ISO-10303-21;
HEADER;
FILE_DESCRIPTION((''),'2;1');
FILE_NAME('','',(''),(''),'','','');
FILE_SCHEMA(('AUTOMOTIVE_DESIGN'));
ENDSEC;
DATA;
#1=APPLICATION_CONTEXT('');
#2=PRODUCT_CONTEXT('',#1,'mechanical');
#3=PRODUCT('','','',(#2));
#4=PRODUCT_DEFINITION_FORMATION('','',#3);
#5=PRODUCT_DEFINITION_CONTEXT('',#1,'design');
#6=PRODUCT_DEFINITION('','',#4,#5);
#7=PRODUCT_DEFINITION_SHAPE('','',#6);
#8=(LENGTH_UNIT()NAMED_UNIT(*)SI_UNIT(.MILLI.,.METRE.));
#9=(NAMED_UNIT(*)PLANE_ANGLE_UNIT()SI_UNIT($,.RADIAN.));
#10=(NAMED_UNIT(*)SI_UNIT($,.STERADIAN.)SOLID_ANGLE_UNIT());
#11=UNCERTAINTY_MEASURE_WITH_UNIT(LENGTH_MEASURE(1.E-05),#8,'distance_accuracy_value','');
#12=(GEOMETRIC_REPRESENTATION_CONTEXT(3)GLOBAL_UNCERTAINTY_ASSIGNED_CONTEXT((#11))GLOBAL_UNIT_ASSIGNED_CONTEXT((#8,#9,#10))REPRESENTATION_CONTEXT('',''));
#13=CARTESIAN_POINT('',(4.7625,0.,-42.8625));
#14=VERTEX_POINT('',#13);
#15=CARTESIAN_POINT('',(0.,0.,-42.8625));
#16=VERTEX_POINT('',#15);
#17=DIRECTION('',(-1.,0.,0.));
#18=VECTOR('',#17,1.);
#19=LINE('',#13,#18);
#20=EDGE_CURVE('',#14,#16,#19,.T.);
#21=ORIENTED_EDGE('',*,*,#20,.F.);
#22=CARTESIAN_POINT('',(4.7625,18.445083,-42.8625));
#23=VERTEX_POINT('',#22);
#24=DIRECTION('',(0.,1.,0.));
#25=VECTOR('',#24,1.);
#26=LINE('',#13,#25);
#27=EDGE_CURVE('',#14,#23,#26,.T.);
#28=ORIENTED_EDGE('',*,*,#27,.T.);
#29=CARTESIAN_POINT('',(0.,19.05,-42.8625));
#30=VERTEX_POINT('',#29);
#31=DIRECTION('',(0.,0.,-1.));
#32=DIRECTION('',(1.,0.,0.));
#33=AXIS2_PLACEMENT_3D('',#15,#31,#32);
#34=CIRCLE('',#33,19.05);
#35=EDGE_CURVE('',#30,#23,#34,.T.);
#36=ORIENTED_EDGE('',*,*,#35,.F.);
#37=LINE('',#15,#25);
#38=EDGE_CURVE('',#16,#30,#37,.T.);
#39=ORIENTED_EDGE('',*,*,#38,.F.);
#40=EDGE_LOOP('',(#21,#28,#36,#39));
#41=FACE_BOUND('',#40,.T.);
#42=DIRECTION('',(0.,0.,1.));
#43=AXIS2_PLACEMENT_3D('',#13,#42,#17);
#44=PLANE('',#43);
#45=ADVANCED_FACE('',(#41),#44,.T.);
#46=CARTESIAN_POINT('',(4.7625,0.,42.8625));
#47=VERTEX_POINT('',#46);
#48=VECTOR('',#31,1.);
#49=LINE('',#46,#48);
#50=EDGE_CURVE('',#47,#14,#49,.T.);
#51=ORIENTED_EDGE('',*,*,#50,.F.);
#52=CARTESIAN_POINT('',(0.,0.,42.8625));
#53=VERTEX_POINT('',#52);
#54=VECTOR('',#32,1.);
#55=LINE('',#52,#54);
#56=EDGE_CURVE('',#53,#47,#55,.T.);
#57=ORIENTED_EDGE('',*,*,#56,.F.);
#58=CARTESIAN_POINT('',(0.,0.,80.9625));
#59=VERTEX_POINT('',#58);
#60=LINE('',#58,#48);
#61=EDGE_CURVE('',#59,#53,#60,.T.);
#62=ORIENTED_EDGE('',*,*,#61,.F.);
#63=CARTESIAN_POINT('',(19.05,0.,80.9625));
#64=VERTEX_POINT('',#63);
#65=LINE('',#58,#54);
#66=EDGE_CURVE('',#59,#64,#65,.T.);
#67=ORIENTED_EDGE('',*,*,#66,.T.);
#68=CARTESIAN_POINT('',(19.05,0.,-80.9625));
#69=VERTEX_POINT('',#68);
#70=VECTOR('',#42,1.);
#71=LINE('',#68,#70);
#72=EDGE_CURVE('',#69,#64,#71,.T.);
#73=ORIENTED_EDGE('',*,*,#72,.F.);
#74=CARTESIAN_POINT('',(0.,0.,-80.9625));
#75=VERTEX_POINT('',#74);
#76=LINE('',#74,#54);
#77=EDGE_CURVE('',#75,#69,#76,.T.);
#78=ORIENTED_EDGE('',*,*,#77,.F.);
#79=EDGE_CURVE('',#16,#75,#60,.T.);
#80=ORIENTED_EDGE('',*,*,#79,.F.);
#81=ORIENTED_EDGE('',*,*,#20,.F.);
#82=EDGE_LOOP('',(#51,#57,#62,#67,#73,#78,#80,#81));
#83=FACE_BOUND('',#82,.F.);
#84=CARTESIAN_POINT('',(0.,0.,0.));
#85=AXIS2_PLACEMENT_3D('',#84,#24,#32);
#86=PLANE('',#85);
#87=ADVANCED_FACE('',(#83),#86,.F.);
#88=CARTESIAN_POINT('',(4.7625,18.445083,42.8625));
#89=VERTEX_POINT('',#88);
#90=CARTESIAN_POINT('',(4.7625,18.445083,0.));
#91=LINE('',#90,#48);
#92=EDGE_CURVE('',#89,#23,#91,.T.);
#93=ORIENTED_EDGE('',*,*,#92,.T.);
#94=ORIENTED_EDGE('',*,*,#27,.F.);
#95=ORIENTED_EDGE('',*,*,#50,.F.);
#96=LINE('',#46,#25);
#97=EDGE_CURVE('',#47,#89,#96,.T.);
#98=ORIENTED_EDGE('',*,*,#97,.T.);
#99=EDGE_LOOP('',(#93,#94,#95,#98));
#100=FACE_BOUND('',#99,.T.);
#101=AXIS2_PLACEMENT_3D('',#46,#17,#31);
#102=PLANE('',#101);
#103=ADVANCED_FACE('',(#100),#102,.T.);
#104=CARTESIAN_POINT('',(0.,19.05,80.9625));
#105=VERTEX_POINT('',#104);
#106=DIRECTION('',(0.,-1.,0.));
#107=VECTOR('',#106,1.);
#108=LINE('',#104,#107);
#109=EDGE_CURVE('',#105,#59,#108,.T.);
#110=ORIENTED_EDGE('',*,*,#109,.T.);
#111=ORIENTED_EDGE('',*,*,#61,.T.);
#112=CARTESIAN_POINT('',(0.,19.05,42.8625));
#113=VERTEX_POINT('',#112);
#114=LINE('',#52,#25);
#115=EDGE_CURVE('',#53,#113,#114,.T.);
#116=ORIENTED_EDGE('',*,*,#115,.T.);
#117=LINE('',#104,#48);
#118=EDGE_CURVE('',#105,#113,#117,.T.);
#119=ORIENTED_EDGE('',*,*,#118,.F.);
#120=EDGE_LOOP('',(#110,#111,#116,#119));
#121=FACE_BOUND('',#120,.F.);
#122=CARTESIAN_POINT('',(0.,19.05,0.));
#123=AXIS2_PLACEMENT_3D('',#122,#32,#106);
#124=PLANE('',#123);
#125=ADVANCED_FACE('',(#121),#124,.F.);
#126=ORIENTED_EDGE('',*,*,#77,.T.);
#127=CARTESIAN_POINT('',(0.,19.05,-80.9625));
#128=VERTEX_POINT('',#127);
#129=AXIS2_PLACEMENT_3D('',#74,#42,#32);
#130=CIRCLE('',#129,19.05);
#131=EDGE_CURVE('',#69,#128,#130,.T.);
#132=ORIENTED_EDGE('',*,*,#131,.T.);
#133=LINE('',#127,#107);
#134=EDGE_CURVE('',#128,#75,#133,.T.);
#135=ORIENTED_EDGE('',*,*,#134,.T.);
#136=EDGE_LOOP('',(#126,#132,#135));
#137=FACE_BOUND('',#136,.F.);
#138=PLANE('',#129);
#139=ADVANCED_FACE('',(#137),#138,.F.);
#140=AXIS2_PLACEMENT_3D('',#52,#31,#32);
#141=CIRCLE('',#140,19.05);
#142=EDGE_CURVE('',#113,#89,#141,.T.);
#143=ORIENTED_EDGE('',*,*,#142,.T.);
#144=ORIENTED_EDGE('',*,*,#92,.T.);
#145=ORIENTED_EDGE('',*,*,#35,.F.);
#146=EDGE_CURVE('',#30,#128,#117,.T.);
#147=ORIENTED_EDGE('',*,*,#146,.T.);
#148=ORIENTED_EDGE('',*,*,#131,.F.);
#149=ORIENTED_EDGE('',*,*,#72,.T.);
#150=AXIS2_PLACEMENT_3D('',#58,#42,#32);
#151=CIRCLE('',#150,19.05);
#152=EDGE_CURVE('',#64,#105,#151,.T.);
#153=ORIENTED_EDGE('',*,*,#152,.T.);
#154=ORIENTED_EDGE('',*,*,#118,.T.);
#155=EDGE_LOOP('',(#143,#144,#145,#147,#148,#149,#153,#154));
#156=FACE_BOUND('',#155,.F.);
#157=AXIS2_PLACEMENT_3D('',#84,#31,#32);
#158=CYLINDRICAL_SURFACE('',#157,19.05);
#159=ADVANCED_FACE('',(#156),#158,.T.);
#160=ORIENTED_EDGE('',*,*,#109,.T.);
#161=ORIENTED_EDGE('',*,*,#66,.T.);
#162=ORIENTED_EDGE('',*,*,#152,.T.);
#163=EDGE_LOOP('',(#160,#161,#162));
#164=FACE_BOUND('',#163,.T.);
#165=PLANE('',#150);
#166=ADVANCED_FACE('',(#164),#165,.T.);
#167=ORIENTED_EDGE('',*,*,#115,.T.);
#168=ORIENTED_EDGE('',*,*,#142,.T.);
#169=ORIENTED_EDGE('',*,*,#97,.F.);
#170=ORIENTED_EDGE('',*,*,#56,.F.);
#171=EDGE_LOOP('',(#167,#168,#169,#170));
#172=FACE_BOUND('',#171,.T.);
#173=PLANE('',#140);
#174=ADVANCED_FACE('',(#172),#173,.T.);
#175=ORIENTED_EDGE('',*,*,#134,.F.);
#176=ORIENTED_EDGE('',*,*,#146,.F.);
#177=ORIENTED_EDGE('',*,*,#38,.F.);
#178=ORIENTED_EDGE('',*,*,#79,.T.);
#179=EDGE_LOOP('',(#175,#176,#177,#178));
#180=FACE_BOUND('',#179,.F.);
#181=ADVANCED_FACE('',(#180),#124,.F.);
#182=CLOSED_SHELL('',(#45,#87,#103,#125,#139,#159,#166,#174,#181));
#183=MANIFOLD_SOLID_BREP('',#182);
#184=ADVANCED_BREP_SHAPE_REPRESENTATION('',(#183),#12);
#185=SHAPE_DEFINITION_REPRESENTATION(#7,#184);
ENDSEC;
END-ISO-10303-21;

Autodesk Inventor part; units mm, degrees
ref_plane "YZ Plane" through (0, 0, 0) normal (1, 0, 0) x (0, 1, 0)
ref_plane "XZ Plane" through (0, 0, 0) normal (0, 1, 0) x (-1, 0, 0)
ref_plane "XY Plane" through (0, 0, 0) normal (0, 0, 1) x (1, 0, 0)
sketch "Sketch1" plane through (0, 0, 0) normal (0, 0, 1) x (1, 0, 0)
  arc A0 (19.05, 0) -> (0, 19.05) centre (0, 0) ccw
  line L0 (0, 19.05) -> (0, 0)
  line L1 (0, 0) -> (19.05, 0)
  dimension "d0" = 38.1
extrude "Extrusion1" add sketch "Sketch1" along normal mid plane 161.925
sketch "Sketch2" plane through (0, 0, 80.9625) normal (0, -1, 0) x (1, 0, 0)
  line L0 (0, -38.1) -> (4.7625, -38.1)
  line L1 (4.7625, -38.1) -> (4.7625, -123.825)
  line L2 (4.7625, -123.825) -> (0, -123.825)
  line L3 (0, -123.825) -> (0, -38.1)
  line L4 (19.05, -161.925) -> (0, -161.925) projected
  line L5 (0, -161.925) -> (0, 0) projected
  point P0 (0, -80.9625)
  dimension "d3" = 85.725
  dimension "d4" = 38.1
  dimension "d5" = 4.7625
extrude "Extrusion2" cut sketch "Sketch2" against normal through all
equation "\"d0\" = cornerRoundType"
equation "\"d1\" = lengthOfPart"
equation "\"d3\" = notchCutout"
equation "\"d4\" = bottomLength"
equation "\"d5\" = notchDepth"
equation "\"cornerRoundType\" = 38.1"
equation "\"notchCutout\" = 85.725"
equation "\"bottomLength\" = 38.1"
equation "\"lengthOfPart\" = 2 * bottomLength + notchCutout"
equation "\"notchDepth\" = 4.7625"
properties part number "topOfStairs_01875_notch"
